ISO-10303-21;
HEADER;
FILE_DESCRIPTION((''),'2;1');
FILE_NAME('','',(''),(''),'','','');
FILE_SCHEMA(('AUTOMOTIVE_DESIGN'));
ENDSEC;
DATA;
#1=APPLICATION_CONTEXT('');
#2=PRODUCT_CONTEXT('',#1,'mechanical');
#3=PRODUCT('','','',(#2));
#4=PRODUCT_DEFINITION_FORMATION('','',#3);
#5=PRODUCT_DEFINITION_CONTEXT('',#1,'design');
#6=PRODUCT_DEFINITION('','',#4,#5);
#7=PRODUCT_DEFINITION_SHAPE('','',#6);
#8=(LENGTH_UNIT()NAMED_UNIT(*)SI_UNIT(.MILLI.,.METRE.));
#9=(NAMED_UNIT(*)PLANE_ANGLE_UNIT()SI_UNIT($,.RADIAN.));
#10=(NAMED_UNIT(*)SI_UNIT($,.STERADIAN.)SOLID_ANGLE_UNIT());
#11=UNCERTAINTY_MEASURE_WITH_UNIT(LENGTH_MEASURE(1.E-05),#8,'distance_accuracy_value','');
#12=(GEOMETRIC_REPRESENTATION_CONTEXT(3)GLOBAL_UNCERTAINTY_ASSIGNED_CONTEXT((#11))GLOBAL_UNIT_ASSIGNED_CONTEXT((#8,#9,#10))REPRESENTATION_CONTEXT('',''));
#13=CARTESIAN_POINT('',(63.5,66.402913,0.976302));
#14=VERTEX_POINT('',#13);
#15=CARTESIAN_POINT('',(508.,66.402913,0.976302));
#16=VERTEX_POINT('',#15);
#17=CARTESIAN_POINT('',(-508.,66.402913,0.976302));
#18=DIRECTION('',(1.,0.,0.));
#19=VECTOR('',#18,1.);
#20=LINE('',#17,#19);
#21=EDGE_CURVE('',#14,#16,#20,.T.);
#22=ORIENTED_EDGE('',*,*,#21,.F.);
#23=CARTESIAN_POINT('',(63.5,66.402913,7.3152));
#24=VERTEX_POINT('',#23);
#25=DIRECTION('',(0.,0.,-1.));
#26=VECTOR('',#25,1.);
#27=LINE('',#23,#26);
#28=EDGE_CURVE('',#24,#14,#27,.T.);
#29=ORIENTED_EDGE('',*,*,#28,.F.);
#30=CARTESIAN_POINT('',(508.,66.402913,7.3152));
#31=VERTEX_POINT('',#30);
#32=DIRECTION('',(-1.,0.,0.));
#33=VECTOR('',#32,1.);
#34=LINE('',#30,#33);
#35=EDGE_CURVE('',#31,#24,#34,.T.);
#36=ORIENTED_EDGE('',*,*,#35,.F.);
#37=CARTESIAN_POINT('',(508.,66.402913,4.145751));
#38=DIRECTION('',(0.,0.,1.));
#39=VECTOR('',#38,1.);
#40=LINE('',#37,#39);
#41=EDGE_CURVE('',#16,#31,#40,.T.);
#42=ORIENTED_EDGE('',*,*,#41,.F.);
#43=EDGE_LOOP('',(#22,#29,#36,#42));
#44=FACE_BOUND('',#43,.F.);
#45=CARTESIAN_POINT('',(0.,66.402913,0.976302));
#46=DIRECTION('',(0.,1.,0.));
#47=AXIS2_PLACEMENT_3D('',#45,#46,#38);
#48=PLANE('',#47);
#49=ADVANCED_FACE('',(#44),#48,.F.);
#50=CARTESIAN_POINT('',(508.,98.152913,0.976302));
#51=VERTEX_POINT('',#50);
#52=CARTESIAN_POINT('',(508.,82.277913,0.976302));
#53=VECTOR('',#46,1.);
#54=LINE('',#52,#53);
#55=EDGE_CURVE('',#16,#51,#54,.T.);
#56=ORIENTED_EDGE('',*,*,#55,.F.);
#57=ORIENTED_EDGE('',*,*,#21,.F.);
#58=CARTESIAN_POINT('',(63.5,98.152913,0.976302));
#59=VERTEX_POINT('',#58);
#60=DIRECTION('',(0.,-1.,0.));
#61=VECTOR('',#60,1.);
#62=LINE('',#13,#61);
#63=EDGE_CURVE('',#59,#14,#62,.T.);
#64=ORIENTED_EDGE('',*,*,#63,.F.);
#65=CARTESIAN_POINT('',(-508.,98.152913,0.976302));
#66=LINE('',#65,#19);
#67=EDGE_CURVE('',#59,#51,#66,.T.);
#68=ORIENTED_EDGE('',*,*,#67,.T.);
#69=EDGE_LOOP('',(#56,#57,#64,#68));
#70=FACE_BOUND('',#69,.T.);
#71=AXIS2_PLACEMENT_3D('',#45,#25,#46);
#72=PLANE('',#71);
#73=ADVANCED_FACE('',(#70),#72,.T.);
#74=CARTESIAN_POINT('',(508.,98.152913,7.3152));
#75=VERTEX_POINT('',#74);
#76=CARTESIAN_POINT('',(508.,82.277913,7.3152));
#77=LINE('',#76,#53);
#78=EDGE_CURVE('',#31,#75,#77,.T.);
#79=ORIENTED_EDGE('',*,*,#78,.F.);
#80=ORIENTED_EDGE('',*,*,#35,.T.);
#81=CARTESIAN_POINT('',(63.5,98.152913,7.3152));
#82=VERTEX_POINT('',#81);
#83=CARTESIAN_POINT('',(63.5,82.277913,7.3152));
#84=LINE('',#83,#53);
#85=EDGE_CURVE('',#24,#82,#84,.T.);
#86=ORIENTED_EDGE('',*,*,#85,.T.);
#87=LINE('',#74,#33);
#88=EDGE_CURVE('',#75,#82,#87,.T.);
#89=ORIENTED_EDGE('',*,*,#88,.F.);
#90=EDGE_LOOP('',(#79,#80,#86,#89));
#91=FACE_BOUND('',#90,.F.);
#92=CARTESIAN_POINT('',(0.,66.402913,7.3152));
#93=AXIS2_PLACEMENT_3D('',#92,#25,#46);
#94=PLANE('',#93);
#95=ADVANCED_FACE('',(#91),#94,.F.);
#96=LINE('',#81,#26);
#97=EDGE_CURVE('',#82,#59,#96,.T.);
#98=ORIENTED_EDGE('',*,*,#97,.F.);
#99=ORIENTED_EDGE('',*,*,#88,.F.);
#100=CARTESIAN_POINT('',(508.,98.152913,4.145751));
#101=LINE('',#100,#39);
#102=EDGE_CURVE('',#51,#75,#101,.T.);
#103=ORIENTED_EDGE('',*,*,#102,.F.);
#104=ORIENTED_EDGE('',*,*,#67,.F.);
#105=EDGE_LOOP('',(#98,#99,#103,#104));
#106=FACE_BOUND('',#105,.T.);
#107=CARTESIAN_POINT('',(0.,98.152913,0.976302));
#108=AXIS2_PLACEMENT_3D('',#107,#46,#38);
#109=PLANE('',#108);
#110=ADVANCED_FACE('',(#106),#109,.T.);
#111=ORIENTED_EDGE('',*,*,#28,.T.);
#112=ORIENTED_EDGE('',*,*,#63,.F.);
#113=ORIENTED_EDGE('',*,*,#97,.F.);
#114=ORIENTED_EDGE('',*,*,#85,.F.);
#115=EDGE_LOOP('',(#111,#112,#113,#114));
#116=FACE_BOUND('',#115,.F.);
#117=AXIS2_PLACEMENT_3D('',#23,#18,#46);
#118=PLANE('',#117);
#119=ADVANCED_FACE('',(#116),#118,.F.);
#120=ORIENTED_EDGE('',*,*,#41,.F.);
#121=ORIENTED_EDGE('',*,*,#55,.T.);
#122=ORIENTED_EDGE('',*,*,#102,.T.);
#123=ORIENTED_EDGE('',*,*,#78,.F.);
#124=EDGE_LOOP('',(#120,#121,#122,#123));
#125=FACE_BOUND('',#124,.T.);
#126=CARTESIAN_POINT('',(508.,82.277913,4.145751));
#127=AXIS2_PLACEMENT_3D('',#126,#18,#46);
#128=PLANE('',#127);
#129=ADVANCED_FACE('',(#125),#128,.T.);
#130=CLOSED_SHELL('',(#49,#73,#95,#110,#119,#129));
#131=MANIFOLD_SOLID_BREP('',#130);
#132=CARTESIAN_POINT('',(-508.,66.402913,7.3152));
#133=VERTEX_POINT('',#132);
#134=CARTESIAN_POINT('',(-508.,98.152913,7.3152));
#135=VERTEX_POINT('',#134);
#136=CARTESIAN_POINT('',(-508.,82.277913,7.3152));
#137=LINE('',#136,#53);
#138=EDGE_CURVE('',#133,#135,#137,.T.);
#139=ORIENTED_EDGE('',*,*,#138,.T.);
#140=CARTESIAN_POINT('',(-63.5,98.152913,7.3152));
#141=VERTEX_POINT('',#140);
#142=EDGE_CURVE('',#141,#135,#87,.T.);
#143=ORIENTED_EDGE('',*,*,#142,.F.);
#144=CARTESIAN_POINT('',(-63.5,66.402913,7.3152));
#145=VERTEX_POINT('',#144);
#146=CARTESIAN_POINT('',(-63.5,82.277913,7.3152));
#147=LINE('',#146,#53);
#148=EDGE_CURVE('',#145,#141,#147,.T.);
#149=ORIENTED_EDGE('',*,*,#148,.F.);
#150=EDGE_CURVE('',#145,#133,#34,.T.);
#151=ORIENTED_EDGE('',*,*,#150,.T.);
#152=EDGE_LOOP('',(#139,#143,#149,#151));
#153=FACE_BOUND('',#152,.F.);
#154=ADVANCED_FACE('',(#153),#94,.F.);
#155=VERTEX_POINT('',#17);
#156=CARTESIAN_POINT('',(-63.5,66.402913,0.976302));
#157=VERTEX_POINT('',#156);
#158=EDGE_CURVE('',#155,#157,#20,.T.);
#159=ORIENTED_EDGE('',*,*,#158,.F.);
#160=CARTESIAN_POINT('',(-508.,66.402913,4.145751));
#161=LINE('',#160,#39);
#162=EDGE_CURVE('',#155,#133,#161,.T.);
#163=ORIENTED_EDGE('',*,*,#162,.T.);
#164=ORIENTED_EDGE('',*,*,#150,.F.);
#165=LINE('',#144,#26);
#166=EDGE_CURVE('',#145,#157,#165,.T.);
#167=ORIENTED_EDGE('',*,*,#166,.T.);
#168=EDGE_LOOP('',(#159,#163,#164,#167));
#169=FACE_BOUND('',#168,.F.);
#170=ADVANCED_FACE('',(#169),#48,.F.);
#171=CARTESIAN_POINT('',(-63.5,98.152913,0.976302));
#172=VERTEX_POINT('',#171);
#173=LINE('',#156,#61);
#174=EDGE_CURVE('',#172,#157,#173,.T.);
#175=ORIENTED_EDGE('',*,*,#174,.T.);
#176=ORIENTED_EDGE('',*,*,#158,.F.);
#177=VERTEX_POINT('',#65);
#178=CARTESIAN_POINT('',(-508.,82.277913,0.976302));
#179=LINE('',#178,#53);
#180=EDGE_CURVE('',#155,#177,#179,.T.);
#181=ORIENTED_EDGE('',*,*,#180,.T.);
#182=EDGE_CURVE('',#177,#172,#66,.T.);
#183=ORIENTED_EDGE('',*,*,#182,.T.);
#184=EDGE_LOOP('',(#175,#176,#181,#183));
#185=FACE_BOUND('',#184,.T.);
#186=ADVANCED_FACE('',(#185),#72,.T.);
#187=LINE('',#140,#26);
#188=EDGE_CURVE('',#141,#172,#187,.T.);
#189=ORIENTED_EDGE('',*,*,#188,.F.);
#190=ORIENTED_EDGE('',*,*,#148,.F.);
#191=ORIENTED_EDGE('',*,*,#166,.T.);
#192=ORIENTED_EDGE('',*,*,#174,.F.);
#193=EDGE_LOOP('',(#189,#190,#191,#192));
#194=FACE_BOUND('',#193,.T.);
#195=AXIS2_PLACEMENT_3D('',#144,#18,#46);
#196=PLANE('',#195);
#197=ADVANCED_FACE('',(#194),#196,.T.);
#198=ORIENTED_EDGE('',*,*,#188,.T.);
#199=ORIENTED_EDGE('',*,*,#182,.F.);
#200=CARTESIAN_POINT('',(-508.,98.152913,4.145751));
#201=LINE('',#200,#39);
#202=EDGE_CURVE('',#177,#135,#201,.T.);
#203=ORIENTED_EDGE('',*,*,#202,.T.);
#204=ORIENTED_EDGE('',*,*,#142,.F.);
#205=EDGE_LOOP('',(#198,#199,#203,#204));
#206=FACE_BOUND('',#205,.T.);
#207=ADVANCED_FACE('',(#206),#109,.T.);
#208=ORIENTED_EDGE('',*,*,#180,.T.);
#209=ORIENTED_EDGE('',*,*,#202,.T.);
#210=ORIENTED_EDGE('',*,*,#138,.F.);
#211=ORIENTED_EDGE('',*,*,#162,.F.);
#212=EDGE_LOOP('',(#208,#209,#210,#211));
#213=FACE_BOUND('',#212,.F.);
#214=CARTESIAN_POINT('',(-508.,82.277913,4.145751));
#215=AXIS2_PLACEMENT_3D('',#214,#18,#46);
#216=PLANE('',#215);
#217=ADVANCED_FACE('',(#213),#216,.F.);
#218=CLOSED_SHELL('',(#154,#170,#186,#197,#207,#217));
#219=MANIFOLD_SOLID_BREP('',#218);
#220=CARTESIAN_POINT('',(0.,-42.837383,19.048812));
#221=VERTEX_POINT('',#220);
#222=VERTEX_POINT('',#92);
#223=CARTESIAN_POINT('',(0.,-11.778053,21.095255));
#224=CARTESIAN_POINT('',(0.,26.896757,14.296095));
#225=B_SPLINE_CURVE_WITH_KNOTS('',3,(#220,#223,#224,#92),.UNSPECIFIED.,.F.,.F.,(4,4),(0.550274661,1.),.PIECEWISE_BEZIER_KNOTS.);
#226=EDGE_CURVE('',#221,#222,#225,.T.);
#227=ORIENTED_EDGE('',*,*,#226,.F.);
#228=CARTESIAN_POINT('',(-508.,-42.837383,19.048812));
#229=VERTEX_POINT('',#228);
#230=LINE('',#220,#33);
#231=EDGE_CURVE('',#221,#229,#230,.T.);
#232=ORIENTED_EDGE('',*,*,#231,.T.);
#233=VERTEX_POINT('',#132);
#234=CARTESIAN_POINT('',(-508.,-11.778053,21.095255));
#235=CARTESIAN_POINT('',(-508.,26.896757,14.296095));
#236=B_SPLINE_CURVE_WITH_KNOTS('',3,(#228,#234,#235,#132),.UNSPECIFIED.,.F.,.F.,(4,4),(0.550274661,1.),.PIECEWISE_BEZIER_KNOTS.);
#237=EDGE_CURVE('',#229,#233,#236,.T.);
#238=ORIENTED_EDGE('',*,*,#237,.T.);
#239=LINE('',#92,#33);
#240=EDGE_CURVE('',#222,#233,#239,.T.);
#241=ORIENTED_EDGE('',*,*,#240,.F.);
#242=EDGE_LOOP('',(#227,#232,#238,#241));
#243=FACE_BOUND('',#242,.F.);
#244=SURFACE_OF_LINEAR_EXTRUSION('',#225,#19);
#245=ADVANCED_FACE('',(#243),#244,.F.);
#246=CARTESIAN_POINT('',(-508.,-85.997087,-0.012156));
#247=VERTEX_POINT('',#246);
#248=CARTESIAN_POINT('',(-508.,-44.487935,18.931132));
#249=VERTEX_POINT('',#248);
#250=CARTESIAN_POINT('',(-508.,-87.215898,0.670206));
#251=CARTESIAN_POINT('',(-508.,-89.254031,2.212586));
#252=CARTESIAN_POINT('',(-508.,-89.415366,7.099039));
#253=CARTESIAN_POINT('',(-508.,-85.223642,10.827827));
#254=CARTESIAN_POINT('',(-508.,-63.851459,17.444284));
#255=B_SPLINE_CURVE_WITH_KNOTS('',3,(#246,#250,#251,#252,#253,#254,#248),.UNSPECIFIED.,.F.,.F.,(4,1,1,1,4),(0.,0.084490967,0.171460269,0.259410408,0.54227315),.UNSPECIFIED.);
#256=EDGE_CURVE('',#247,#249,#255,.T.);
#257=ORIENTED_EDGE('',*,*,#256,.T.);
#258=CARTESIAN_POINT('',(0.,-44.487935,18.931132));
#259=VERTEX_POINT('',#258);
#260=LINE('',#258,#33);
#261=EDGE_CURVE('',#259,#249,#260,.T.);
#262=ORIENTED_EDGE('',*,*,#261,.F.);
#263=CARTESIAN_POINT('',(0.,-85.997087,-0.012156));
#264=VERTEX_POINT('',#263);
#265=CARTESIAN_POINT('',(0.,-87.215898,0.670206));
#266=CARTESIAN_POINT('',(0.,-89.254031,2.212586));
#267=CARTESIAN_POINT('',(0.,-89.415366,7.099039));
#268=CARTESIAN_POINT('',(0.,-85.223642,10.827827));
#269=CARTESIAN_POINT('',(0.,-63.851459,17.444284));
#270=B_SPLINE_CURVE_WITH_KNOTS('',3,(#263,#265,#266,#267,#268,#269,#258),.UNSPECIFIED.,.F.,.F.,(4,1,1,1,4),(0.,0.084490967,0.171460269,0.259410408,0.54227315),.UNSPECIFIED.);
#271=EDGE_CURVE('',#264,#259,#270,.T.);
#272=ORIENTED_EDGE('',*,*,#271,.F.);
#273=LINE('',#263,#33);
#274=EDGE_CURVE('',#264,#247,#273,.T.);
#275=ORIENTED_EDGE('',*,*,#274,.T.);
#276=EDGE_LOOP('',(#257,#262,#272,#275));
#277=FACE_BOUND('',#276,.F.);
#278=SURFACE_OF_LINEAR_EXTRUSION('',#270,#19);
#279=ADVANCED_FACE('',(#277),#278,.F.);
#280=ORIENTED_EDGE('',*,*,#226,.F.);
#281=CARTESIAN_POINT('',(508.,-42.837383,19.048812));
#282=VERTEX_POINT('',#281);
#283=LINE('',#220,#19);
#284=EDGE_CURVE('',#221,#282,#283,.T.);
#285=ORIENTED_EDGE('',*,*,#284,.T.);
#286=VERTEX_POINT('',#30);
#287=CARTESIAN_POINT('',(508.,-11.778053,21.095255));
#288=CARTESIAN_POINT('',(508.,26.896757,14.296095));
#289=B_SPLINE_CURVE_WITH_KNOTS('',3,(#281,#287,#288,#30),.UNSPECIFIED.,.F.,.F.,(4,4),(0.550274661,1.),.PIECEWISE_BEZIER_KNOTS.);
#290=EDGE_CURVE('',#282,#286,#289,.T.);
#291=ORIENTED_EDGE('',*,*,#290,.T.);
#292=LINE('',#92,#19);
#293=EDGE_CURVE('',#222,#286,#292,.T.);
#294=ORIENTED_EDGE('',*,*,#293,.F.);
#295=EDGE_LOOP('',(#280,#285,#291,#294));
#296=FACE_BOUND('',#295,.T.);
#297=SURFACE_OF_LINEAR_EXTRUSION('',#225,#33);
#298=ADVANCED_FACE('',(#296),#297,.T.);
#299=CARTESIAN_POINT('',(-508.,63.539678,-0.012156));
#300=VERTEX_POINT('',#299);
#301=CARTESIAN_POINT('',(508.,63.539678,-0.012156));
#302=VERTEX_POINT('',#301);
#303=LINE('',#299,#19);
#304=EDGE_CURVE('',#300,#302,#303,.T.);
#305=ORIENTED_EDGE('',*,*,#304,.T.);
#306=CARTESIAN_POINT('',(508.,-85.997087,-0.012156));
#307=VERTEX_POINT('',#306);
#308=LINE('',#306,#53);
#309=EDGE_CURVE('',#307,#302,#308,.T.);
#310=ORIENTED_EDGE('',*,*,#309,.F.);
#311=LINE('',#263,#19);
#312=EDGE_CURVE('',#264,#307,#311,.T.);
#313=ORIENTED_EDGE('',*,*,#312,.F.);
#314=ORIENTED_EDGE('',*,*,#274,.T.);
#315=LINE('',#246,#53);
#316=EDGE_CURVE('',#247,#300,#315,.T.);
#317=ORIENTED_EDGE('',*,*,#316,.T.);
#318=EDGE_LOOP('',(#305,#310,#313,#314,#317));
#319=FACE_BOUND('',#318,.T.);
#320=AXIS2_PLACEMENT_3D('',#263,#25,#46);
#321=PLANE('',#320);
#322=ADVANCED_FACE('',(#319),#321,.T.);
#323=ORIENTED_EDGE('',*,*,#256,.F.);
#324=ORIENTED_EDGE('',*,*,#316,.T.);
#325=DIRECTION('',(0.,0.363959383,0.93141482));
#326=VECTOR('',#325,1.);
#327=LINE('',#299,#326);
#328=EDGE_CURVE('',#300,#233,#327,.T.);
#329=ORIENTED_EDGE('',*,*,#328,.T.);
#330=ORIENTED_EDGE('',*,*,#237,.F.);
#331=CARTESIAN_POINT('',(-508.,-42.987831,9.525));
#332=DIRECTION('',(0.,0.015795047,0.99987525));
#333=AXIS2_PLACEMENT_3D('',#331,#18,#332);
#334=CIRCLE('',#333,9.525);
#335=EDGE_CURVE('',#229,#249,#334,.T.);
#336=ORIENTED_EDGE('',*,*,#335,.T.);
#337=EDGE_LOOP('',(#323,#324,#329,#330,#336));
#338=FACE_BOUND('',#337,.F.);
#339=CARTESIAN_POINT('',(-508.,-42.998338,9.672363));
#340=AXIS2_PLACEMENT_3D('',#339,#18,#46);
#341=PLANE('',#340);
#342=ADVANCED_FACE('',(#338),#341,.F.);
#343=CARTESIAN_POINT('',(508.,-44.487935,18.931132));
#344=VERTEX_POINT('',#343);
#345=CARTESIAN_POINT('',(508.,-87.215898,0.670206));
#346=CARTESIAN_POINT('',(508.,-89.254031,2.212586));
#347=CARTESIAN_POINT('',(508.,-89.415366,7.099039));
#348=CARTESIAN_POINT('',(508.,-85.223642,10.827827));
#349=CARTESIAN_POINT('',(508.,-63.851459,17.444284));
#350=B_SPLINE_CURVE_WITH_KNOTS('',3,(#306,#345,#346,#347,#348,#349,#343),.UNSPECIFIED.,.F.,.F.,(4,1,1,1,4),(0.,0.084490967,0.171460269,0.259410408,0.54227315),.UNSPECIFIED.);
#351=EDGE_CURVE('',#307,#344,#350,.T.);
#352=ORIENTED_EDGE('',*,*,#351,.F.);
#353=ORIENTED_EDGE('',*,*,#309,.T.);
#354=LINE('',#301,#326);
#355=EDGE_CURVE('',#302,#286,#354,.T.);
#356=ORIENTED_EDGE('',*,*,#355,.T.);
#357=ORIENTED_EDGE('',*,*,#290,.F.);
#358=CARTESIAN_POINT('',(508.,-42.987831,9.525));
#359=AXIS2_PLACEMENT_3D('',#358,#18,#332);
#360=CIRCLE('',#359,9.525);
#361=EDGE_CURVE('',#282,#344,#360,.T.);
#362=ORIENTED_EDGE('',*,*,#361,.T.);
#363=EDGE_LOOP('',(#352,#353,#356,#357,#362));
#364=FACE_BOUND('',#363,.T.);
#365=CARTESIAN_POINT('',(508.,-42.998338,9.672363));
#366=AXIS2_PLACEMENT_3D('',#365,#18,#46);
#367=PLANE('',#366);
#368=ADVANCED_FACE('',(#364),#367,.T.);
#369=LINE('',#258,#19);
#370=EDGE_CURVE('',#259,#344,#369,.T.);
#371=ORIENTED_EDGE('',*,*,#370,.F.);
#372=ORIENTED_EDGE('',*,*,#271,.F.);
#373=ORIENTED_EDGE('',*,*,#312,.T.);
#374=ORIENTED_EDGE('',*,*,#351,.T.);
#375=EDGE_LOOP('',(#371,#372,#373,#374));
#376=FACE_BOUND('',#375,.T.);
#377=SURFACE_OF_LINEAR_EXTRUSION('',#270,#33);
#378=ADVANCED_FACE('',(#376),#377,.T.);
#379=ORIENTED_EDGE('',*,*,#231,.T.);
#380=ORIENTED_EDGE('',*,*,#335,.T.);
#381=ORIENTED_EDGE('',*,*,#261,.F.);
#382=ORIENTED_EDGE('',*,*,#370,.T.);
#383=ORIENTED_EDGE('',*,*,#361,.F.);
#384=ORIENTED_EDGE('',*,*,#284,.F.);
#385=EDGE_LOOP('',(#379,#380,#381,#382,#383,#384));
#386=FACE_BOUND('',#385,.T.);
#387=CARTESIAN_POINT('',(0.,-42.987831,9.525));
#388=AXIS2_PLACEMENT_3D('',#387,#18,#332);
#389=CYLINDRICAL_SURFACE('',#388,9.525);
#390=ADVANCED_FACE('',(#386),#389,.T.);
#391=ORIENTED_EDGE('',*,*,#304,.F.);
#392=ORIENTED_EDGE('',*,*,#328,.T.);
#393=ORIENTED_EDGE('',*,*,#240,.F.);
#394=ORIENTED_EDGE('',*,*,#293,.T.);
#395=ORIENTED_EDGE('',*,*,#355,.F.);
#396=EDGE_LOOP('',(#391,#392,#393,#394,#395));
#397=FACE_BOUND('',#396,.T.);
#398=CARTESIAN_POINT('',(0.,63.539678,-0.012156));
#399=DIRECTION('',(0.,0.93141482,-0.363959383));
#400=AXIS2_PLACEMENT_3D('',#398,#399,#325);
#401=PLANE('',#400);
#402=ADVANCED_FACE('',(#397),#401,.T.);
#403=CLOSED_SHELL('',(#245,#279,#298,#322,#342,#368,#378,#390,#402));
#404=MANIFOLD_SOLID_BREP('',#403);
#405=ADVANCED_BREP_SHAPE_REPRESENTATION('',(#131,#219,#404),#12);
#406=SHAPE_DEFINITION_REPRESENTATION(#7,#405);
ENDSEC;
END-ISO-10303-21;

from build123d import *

# Parameters (mm, degrees)
F1_DEPTH = 508
F0_W     = 31.75
F0_H     = 6.3388977465
F2_W     = 63.5
F2_H     = 31.75
F3_DEPTH = 25.4


with BuildPart() as f1:
    # F0 (on Right) → F1 (new body, symmetric)
    with BuildSketch(Plane.YZ):
        with BuildLine():
            ThreePointArc((-44.4879352432, 18.9311316663), (-49.1699479381, 2.2788246017), (-33.4628312215, 9.525))
            ThreePointArc((-33.4628312215, 9.525), (-36.1996561906, 16.2067890381), (-42.8373834, 19.0488117607))
            add(Edge.make_bspline(
                [(-44.4879352432, 18.9311316663), (-43.9401874866, 18.9731910158), (-43.3899908024, 19.0124014485), (-42.8373834, 19.0488117607)],
                knots=[0.5422731504, 0.5422731504, 0.5422731504, 0.5422731504, 0.5502746607, 0.5502746607, 0.5502746607, 0.5502746607], degree=3))
        make_face()
        with BuildLine():
            ThreePointArc((-42.8373834, 19.0488117607), (-36.1996561906, 16.2067890381), (-33.4628312215, 9.525))
            ThreePointArc((-33.4628312215, 9.525), (-49.1699479381, 2.2788246017), (-44.4879352432, 18.9311316663))
            add(Edge.make_bspline(
                [(-85.9970868468, -0.0121559101), (-87.2158983385, 0.6702064837), (-89.2540308696, 2.2125858999), (-89.4153664417, 7.0990394112), (-85.2236422204, 10.8278266918), (-63.8514588483, 17.4442844884), (-44.4879352432, 18.9311316663)],
                knots=[0, 0, 0, 0, 0.0844909669, 0.1714602687, 0.2594104084, 0.5422731504, 0.5422731504, 0.5422731504, 0.5422731504], degree=3))
            Line((-85.9970868468, -0.0121559101), (63.5396777009, -0.0121559101))
            Line((63.5396777009, -0.0121559101), (66.4029131532, 7.3152))
            add(Edge.make_bspline(
                [(-42.8373834, 19.0488117607), (-11.7780528266, 21.095255433), (26.8967571851, 14.2960946371), (66.4029131532, 7.3152)],
                knots=[0.5502746607, 0.5502746607, 0.5502746607, 0.5502746607, 1, 1, 1, 1], degree=3))
        make_face()
        with BuildLine():
            add(Edge.make_bspline(
                [(-44.4879352432, 18.9311316663), (-43.9401874866, 18.9731910158), (-43.3899908024, 19.0124014485), (-42.8373834, 19.0488117607)],
                knots=[0.5422731504, 0.5422731504, 0.5422731504, 0.5422731504, 0.5502746607, 0.5502746607, 0.5502746607, 0.5502746607], degree=3))
            ThreePointArc((-42.8373834, 19.0488117607), (-43.6652196742, 19.0258825845), (-44.4879352432, 18.9311316663))
        make_face()
    extrude(amount=F1_DEPTH, both=True)


with BuildPart() as f1b:
    # F0 (on Right) → F1, piece 2 (new body, symmetric)
    with BuildSketch(Plane.YZ):
        with Locations((82.2779131532, 4.1457511268)):
            Rectangle(F0_W, F0_H)
    extrude(amount=F1_DEPTH, both=True)

    # F2 (on face) → F3 (cut)
    with BuildSketch(Plane.XY.offset(7.3152)):
        with Locations((-31.75, 82.2779131532)):
            Rectangle(F2_W, F2_H)
        with Locations((31.75, 82.2779131532)):
            Rectangle(F2_W, F2_H)
    extrude(amount=-F3_DEPTH, mode=Mode.SUBTRACT)


solid = Compound([f1.part, f1b.part])
